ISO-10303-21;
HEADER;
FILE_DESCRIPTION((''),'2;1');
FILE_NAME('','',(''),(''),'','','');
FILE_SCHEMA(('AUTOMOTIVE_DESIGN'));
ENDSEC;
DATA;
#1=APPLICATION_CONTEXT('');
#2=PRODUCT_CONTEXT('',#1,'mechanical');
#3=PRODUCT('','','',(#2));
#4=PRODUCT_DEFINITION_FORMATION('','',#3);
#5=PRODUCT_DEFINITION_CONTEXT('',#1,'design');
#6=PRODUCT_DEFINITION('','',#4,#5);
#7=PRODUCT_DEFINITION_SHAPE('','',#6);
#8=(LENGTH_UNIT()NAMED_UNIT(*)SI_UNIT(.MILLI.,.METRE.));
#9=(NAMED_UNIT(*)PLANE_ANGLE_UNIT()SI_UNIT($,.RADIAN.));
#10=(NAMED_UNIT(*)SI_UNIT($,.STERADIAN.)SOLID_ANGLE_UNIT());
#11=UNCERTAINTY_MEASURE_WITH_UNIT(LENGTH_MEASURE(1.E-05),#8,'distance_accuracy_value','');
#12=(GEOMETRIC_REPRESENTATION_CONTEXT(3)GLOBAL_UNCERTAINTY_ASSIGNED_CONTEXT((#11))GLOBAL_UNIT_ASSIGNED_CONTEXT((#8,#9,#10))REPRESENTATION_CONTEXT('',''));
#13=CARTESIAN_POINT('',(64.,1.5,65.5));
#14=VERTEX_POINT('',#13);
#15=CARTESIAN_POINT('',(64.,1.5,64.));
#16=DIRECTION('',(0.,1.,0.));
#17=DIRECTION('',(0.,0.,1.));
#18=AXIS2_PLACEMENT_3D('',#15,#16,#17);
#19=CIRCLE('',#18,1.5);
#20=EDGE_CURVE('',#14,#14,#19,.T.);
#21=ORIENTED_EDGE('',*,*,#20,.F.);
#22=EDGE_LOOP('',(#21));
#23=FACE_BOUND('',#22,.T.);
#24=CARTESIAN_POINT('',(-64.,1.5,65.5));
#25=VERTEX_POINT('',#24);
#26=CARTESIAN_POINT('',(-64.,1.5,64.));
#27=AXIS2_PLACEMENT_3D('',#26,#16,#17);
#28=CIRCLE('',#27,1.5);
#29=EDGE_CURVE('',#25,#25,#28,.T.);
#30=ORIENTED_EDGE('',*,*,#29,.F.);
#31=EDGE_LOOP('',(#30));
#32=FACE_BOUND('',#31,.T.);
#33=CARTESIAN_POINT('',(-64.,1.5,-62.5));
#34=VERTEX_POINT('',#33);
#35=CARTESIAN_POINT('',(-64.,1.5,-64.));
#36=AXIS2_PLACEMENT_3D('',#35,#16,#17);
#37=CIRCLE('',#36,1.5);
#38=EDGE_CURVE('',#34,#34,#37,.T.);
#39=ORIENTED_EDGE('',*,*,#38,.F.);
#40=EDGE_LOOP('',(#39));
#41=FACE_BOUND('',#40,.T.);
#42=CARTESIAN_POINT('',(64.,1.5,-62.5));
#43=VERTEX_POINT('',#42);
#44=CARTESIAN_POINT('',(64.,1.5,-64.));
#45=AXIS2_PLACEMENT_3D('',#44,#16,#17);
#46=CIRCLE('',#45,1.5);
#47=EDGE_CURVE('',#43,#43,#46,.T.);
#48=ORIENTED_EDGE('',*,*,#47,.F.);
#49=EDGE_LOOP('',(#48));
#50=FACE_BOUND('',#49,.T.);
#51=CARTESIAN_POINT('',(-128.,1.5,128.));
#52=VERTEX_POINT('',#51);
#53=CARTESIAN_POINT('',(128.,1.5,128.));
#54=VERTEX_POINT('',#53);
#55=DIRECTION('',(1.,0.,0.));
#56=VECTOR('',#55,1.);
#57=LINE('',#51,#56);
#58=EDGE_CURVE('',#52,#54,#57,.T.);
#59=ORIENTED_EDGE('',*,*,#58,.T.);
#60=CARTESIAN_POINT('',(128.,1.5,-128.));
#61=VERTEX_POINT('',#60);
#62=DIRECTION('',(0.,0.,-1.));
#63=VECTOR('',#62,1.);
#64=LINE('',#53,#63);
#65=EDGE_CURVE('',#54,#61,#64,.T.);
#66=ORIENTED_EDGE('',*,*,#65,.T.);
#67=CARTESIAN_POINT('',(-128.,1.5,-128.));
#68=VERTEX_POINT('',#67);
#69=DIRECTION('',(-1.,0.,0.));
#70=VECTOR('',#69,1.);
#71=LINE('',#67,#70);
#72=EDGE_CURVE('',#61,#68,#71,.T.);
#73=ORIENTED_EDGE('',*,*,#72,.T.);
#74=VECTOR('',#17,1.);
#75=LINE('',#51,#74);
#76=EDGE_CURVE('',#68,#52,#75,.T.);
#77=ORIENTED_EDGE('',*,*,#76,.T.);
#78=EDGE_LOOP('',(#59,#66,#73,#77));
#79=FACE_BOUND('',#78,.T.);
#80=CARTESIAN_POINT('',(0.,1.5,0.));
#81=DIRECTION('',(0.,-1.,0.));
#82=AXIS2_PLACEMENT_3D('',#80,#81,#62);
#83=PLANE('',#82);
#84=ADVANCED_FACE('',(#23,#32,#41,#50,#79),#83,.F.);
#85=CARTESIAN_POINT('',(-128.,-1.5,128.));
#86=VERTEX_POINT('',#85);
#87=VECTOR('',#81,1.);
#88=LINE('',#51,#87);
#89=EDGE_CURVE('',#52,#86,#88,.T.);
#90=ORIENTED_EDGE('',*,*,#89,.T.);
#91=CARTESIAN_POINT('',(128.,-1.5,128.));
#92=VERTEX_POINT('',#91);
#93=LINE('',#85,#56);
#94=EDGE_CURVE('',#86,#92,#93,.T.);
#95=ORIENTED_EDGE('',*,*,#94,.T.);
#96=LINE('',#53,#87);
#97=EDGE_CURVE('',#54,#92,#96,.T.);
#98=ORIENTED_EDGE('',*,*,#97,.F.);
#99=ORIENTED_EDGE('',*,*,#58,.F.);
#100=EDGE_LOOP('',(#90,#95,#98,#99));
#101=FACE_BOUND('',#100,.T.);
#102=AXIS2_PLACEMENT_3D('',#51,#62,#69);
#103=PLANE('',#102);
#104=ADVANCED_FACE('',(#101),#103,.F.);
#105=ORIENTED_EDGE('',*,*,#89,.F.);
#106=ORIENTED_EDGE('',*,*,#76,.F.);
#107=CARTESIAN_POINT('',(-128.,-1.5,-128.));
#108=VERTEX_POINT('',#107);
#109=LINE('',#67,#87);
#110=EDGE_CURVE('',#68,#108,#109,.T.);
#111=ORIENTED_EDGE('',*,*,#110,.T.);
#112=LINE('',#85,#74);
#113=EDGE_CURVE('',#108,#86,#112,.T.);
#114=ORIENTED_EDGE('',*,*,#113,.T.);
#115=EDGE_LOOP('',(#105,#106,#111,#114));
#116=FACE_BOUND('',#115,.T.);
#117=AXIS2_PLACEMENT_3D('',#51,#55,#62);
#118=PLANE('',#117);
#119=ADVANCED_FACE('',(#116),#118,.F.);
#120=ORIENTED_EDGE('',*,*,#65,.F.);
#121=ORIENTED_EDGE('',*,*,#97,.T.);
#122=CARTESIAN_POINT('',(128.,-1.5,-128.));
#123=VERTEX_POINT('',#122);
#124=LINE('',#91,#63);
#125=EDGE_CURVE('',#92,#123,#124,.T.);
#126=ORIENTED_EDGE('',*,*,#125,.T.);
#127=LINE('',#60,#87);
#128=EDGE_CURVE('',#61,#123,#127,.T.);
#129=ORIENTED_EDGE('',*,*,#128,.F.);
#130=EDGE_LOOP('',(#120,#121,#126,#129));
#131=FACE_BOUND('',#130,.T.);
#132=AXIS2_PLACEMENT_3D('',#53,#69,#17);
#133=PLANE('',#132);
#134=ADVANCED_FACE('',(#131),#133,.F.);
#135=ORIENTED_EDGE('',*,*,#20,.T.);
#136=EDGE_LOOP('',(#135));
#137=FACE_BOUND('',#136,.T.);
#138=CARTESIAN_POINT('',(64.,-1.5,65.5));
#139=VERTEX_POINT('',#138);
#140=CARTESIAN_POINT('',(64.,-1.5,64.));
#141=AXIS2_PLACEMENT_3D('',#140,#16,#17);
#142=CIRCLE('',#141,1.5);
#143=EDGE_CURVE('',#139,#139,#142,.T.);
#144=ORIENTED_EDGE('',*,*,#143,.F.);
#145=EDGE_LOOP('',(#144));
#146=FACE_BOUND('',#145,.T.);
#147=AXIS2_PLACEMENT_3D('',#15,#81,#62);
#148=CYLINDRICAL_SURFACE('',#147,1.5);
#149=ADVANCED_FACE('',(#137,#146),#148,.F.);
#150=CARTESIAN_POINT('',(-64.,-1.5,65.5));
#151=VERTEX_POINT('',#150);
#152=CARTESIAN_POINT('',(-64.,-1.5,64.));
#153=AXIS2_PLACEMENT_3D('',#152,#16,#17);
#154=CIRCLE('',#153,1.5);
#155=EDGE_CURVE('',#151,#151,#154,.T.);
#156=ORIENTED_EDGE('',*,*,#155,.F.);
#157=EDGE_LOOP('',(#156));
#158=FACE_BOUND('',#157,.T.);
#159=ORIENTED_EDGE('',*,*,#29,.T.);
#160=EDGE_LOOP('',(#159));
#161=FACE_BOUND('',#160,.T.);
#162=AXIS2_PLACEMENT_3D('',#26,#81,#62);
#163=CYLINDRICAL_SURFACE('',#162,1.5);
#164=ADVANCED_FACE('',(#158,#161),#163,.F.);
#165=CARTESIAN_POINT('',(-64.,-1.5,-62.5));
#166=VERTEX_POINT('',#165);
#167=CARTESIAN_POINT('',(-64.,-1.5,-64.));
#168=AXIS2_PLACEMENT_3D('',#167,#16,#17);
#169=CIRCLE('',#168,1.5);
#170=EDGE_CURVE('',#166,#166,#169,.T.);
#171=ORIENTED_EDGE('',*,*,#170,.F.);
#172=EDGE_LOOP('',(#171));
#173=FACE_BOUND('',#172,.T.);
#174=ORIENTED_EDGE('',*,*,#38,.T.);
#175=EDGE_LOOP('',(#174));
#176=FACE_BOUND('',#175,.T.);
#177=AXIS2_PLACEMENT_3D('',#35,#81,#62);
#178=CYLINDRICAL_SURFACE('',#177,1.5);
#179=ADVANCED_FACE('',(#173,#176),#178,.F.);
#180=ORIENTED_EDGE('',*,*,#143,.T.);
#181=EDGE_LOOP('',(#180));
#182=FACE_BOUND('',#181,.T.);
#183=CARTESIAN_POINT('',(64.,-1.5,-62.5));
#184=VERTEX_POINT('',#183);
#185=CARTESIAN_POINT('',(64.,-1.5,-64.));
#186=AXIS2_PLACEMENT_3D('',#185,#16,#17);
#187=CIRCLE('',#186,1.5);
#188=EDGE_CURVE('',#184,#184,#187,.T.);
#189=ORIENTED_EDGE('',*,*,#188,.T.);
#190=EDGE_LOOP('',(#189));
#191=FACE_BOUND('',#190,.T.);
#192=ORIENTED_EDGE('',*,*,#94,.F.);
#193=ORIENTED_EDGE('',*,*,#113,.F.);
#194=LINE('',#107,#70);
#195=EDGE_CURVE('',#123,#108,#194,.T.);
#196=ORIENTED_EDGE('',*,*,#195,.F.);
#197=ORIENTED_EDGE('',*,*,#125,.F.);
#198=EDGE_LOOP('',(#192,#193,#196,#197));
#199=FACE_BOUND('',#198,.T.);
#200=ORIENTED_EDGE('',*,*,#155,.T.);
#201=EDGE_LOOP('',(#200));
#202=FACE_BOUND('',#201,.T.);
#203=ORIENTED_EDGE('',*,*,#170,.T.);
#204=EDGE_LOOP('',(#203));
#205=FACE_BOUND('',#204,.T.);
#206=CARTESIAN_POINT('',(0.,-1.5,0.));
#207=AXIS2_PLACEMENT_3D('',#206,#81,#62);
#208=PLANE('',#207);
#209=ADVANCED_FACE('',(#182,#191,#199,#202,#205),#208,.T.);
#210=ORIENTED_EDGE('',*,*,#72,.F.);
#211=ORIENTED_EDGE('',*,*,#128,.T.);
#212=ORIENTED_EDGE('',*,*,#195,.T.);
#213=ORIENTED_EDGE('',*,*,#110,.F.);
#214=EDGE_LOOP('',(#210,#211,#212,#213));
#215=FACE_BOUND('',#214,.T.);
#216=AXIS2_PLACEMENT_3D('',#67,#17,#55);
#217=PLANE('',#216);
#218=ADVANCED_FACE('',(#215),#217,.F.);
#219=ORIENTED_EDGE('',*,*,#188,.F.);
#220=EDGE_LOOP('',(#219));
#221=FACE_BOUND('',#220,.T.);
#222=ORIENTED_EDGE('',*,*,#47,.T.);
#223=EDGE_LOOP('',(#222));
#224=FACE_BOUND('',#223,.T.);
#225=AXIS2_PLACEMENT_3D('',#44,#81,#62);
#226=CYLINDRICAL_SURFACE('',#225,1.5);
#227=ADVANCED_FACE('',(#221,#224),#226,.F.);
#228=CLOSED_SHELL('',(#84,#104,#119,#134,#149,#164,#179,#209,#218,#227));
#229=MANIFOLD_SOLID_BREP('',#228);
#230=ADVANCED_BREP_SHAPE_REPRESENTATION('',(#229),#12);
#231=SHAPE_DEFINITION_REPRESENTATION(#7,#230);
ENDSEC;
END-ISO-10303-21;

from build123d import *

# Parameters (mm, degrees)
SKETCH1_W           = 256
SKETCH1_H           = 256
SKETCH1_R           = 1.5
BOSS_EXTRUDE1_DEPTH = 1.5


with BuildPart() as part:
    # Sketch1 → Boss-Extrude1 (new, symmetric)
    with BuildSketch(Plane(origin=(0, 0, 0), x_dir=(1, 0, 0), z_dir=(0, 1, 0))):
        Rectangle(SKETCH1_W, SKETCH1_H)
        with Locations(Location((-64, 64, 0), (0, 0, 270))):
            Circle(SKETCH1_R, mode=Mode.SUBTRACT)
        with Locations(Location((64, 64, 0), (0, 0, 270))):
            Circle(SKETCH1_R, mode=Mode.SUBTRACT)
        with Locations(Location((64, -64, 0), (0, 0, 270))):
            Circle(SKETCH1_R, mode=Mode.SUBTRACT)
        with Locations(Location((-64, -64, 0), (0, 0, 270))):
            Circle(SKETCH1_R, mode=Mode.SUBTRACT)
    extrude(amount=BOSS_EXTRUDE1_DEPTH, both=True)


solid = part.part
